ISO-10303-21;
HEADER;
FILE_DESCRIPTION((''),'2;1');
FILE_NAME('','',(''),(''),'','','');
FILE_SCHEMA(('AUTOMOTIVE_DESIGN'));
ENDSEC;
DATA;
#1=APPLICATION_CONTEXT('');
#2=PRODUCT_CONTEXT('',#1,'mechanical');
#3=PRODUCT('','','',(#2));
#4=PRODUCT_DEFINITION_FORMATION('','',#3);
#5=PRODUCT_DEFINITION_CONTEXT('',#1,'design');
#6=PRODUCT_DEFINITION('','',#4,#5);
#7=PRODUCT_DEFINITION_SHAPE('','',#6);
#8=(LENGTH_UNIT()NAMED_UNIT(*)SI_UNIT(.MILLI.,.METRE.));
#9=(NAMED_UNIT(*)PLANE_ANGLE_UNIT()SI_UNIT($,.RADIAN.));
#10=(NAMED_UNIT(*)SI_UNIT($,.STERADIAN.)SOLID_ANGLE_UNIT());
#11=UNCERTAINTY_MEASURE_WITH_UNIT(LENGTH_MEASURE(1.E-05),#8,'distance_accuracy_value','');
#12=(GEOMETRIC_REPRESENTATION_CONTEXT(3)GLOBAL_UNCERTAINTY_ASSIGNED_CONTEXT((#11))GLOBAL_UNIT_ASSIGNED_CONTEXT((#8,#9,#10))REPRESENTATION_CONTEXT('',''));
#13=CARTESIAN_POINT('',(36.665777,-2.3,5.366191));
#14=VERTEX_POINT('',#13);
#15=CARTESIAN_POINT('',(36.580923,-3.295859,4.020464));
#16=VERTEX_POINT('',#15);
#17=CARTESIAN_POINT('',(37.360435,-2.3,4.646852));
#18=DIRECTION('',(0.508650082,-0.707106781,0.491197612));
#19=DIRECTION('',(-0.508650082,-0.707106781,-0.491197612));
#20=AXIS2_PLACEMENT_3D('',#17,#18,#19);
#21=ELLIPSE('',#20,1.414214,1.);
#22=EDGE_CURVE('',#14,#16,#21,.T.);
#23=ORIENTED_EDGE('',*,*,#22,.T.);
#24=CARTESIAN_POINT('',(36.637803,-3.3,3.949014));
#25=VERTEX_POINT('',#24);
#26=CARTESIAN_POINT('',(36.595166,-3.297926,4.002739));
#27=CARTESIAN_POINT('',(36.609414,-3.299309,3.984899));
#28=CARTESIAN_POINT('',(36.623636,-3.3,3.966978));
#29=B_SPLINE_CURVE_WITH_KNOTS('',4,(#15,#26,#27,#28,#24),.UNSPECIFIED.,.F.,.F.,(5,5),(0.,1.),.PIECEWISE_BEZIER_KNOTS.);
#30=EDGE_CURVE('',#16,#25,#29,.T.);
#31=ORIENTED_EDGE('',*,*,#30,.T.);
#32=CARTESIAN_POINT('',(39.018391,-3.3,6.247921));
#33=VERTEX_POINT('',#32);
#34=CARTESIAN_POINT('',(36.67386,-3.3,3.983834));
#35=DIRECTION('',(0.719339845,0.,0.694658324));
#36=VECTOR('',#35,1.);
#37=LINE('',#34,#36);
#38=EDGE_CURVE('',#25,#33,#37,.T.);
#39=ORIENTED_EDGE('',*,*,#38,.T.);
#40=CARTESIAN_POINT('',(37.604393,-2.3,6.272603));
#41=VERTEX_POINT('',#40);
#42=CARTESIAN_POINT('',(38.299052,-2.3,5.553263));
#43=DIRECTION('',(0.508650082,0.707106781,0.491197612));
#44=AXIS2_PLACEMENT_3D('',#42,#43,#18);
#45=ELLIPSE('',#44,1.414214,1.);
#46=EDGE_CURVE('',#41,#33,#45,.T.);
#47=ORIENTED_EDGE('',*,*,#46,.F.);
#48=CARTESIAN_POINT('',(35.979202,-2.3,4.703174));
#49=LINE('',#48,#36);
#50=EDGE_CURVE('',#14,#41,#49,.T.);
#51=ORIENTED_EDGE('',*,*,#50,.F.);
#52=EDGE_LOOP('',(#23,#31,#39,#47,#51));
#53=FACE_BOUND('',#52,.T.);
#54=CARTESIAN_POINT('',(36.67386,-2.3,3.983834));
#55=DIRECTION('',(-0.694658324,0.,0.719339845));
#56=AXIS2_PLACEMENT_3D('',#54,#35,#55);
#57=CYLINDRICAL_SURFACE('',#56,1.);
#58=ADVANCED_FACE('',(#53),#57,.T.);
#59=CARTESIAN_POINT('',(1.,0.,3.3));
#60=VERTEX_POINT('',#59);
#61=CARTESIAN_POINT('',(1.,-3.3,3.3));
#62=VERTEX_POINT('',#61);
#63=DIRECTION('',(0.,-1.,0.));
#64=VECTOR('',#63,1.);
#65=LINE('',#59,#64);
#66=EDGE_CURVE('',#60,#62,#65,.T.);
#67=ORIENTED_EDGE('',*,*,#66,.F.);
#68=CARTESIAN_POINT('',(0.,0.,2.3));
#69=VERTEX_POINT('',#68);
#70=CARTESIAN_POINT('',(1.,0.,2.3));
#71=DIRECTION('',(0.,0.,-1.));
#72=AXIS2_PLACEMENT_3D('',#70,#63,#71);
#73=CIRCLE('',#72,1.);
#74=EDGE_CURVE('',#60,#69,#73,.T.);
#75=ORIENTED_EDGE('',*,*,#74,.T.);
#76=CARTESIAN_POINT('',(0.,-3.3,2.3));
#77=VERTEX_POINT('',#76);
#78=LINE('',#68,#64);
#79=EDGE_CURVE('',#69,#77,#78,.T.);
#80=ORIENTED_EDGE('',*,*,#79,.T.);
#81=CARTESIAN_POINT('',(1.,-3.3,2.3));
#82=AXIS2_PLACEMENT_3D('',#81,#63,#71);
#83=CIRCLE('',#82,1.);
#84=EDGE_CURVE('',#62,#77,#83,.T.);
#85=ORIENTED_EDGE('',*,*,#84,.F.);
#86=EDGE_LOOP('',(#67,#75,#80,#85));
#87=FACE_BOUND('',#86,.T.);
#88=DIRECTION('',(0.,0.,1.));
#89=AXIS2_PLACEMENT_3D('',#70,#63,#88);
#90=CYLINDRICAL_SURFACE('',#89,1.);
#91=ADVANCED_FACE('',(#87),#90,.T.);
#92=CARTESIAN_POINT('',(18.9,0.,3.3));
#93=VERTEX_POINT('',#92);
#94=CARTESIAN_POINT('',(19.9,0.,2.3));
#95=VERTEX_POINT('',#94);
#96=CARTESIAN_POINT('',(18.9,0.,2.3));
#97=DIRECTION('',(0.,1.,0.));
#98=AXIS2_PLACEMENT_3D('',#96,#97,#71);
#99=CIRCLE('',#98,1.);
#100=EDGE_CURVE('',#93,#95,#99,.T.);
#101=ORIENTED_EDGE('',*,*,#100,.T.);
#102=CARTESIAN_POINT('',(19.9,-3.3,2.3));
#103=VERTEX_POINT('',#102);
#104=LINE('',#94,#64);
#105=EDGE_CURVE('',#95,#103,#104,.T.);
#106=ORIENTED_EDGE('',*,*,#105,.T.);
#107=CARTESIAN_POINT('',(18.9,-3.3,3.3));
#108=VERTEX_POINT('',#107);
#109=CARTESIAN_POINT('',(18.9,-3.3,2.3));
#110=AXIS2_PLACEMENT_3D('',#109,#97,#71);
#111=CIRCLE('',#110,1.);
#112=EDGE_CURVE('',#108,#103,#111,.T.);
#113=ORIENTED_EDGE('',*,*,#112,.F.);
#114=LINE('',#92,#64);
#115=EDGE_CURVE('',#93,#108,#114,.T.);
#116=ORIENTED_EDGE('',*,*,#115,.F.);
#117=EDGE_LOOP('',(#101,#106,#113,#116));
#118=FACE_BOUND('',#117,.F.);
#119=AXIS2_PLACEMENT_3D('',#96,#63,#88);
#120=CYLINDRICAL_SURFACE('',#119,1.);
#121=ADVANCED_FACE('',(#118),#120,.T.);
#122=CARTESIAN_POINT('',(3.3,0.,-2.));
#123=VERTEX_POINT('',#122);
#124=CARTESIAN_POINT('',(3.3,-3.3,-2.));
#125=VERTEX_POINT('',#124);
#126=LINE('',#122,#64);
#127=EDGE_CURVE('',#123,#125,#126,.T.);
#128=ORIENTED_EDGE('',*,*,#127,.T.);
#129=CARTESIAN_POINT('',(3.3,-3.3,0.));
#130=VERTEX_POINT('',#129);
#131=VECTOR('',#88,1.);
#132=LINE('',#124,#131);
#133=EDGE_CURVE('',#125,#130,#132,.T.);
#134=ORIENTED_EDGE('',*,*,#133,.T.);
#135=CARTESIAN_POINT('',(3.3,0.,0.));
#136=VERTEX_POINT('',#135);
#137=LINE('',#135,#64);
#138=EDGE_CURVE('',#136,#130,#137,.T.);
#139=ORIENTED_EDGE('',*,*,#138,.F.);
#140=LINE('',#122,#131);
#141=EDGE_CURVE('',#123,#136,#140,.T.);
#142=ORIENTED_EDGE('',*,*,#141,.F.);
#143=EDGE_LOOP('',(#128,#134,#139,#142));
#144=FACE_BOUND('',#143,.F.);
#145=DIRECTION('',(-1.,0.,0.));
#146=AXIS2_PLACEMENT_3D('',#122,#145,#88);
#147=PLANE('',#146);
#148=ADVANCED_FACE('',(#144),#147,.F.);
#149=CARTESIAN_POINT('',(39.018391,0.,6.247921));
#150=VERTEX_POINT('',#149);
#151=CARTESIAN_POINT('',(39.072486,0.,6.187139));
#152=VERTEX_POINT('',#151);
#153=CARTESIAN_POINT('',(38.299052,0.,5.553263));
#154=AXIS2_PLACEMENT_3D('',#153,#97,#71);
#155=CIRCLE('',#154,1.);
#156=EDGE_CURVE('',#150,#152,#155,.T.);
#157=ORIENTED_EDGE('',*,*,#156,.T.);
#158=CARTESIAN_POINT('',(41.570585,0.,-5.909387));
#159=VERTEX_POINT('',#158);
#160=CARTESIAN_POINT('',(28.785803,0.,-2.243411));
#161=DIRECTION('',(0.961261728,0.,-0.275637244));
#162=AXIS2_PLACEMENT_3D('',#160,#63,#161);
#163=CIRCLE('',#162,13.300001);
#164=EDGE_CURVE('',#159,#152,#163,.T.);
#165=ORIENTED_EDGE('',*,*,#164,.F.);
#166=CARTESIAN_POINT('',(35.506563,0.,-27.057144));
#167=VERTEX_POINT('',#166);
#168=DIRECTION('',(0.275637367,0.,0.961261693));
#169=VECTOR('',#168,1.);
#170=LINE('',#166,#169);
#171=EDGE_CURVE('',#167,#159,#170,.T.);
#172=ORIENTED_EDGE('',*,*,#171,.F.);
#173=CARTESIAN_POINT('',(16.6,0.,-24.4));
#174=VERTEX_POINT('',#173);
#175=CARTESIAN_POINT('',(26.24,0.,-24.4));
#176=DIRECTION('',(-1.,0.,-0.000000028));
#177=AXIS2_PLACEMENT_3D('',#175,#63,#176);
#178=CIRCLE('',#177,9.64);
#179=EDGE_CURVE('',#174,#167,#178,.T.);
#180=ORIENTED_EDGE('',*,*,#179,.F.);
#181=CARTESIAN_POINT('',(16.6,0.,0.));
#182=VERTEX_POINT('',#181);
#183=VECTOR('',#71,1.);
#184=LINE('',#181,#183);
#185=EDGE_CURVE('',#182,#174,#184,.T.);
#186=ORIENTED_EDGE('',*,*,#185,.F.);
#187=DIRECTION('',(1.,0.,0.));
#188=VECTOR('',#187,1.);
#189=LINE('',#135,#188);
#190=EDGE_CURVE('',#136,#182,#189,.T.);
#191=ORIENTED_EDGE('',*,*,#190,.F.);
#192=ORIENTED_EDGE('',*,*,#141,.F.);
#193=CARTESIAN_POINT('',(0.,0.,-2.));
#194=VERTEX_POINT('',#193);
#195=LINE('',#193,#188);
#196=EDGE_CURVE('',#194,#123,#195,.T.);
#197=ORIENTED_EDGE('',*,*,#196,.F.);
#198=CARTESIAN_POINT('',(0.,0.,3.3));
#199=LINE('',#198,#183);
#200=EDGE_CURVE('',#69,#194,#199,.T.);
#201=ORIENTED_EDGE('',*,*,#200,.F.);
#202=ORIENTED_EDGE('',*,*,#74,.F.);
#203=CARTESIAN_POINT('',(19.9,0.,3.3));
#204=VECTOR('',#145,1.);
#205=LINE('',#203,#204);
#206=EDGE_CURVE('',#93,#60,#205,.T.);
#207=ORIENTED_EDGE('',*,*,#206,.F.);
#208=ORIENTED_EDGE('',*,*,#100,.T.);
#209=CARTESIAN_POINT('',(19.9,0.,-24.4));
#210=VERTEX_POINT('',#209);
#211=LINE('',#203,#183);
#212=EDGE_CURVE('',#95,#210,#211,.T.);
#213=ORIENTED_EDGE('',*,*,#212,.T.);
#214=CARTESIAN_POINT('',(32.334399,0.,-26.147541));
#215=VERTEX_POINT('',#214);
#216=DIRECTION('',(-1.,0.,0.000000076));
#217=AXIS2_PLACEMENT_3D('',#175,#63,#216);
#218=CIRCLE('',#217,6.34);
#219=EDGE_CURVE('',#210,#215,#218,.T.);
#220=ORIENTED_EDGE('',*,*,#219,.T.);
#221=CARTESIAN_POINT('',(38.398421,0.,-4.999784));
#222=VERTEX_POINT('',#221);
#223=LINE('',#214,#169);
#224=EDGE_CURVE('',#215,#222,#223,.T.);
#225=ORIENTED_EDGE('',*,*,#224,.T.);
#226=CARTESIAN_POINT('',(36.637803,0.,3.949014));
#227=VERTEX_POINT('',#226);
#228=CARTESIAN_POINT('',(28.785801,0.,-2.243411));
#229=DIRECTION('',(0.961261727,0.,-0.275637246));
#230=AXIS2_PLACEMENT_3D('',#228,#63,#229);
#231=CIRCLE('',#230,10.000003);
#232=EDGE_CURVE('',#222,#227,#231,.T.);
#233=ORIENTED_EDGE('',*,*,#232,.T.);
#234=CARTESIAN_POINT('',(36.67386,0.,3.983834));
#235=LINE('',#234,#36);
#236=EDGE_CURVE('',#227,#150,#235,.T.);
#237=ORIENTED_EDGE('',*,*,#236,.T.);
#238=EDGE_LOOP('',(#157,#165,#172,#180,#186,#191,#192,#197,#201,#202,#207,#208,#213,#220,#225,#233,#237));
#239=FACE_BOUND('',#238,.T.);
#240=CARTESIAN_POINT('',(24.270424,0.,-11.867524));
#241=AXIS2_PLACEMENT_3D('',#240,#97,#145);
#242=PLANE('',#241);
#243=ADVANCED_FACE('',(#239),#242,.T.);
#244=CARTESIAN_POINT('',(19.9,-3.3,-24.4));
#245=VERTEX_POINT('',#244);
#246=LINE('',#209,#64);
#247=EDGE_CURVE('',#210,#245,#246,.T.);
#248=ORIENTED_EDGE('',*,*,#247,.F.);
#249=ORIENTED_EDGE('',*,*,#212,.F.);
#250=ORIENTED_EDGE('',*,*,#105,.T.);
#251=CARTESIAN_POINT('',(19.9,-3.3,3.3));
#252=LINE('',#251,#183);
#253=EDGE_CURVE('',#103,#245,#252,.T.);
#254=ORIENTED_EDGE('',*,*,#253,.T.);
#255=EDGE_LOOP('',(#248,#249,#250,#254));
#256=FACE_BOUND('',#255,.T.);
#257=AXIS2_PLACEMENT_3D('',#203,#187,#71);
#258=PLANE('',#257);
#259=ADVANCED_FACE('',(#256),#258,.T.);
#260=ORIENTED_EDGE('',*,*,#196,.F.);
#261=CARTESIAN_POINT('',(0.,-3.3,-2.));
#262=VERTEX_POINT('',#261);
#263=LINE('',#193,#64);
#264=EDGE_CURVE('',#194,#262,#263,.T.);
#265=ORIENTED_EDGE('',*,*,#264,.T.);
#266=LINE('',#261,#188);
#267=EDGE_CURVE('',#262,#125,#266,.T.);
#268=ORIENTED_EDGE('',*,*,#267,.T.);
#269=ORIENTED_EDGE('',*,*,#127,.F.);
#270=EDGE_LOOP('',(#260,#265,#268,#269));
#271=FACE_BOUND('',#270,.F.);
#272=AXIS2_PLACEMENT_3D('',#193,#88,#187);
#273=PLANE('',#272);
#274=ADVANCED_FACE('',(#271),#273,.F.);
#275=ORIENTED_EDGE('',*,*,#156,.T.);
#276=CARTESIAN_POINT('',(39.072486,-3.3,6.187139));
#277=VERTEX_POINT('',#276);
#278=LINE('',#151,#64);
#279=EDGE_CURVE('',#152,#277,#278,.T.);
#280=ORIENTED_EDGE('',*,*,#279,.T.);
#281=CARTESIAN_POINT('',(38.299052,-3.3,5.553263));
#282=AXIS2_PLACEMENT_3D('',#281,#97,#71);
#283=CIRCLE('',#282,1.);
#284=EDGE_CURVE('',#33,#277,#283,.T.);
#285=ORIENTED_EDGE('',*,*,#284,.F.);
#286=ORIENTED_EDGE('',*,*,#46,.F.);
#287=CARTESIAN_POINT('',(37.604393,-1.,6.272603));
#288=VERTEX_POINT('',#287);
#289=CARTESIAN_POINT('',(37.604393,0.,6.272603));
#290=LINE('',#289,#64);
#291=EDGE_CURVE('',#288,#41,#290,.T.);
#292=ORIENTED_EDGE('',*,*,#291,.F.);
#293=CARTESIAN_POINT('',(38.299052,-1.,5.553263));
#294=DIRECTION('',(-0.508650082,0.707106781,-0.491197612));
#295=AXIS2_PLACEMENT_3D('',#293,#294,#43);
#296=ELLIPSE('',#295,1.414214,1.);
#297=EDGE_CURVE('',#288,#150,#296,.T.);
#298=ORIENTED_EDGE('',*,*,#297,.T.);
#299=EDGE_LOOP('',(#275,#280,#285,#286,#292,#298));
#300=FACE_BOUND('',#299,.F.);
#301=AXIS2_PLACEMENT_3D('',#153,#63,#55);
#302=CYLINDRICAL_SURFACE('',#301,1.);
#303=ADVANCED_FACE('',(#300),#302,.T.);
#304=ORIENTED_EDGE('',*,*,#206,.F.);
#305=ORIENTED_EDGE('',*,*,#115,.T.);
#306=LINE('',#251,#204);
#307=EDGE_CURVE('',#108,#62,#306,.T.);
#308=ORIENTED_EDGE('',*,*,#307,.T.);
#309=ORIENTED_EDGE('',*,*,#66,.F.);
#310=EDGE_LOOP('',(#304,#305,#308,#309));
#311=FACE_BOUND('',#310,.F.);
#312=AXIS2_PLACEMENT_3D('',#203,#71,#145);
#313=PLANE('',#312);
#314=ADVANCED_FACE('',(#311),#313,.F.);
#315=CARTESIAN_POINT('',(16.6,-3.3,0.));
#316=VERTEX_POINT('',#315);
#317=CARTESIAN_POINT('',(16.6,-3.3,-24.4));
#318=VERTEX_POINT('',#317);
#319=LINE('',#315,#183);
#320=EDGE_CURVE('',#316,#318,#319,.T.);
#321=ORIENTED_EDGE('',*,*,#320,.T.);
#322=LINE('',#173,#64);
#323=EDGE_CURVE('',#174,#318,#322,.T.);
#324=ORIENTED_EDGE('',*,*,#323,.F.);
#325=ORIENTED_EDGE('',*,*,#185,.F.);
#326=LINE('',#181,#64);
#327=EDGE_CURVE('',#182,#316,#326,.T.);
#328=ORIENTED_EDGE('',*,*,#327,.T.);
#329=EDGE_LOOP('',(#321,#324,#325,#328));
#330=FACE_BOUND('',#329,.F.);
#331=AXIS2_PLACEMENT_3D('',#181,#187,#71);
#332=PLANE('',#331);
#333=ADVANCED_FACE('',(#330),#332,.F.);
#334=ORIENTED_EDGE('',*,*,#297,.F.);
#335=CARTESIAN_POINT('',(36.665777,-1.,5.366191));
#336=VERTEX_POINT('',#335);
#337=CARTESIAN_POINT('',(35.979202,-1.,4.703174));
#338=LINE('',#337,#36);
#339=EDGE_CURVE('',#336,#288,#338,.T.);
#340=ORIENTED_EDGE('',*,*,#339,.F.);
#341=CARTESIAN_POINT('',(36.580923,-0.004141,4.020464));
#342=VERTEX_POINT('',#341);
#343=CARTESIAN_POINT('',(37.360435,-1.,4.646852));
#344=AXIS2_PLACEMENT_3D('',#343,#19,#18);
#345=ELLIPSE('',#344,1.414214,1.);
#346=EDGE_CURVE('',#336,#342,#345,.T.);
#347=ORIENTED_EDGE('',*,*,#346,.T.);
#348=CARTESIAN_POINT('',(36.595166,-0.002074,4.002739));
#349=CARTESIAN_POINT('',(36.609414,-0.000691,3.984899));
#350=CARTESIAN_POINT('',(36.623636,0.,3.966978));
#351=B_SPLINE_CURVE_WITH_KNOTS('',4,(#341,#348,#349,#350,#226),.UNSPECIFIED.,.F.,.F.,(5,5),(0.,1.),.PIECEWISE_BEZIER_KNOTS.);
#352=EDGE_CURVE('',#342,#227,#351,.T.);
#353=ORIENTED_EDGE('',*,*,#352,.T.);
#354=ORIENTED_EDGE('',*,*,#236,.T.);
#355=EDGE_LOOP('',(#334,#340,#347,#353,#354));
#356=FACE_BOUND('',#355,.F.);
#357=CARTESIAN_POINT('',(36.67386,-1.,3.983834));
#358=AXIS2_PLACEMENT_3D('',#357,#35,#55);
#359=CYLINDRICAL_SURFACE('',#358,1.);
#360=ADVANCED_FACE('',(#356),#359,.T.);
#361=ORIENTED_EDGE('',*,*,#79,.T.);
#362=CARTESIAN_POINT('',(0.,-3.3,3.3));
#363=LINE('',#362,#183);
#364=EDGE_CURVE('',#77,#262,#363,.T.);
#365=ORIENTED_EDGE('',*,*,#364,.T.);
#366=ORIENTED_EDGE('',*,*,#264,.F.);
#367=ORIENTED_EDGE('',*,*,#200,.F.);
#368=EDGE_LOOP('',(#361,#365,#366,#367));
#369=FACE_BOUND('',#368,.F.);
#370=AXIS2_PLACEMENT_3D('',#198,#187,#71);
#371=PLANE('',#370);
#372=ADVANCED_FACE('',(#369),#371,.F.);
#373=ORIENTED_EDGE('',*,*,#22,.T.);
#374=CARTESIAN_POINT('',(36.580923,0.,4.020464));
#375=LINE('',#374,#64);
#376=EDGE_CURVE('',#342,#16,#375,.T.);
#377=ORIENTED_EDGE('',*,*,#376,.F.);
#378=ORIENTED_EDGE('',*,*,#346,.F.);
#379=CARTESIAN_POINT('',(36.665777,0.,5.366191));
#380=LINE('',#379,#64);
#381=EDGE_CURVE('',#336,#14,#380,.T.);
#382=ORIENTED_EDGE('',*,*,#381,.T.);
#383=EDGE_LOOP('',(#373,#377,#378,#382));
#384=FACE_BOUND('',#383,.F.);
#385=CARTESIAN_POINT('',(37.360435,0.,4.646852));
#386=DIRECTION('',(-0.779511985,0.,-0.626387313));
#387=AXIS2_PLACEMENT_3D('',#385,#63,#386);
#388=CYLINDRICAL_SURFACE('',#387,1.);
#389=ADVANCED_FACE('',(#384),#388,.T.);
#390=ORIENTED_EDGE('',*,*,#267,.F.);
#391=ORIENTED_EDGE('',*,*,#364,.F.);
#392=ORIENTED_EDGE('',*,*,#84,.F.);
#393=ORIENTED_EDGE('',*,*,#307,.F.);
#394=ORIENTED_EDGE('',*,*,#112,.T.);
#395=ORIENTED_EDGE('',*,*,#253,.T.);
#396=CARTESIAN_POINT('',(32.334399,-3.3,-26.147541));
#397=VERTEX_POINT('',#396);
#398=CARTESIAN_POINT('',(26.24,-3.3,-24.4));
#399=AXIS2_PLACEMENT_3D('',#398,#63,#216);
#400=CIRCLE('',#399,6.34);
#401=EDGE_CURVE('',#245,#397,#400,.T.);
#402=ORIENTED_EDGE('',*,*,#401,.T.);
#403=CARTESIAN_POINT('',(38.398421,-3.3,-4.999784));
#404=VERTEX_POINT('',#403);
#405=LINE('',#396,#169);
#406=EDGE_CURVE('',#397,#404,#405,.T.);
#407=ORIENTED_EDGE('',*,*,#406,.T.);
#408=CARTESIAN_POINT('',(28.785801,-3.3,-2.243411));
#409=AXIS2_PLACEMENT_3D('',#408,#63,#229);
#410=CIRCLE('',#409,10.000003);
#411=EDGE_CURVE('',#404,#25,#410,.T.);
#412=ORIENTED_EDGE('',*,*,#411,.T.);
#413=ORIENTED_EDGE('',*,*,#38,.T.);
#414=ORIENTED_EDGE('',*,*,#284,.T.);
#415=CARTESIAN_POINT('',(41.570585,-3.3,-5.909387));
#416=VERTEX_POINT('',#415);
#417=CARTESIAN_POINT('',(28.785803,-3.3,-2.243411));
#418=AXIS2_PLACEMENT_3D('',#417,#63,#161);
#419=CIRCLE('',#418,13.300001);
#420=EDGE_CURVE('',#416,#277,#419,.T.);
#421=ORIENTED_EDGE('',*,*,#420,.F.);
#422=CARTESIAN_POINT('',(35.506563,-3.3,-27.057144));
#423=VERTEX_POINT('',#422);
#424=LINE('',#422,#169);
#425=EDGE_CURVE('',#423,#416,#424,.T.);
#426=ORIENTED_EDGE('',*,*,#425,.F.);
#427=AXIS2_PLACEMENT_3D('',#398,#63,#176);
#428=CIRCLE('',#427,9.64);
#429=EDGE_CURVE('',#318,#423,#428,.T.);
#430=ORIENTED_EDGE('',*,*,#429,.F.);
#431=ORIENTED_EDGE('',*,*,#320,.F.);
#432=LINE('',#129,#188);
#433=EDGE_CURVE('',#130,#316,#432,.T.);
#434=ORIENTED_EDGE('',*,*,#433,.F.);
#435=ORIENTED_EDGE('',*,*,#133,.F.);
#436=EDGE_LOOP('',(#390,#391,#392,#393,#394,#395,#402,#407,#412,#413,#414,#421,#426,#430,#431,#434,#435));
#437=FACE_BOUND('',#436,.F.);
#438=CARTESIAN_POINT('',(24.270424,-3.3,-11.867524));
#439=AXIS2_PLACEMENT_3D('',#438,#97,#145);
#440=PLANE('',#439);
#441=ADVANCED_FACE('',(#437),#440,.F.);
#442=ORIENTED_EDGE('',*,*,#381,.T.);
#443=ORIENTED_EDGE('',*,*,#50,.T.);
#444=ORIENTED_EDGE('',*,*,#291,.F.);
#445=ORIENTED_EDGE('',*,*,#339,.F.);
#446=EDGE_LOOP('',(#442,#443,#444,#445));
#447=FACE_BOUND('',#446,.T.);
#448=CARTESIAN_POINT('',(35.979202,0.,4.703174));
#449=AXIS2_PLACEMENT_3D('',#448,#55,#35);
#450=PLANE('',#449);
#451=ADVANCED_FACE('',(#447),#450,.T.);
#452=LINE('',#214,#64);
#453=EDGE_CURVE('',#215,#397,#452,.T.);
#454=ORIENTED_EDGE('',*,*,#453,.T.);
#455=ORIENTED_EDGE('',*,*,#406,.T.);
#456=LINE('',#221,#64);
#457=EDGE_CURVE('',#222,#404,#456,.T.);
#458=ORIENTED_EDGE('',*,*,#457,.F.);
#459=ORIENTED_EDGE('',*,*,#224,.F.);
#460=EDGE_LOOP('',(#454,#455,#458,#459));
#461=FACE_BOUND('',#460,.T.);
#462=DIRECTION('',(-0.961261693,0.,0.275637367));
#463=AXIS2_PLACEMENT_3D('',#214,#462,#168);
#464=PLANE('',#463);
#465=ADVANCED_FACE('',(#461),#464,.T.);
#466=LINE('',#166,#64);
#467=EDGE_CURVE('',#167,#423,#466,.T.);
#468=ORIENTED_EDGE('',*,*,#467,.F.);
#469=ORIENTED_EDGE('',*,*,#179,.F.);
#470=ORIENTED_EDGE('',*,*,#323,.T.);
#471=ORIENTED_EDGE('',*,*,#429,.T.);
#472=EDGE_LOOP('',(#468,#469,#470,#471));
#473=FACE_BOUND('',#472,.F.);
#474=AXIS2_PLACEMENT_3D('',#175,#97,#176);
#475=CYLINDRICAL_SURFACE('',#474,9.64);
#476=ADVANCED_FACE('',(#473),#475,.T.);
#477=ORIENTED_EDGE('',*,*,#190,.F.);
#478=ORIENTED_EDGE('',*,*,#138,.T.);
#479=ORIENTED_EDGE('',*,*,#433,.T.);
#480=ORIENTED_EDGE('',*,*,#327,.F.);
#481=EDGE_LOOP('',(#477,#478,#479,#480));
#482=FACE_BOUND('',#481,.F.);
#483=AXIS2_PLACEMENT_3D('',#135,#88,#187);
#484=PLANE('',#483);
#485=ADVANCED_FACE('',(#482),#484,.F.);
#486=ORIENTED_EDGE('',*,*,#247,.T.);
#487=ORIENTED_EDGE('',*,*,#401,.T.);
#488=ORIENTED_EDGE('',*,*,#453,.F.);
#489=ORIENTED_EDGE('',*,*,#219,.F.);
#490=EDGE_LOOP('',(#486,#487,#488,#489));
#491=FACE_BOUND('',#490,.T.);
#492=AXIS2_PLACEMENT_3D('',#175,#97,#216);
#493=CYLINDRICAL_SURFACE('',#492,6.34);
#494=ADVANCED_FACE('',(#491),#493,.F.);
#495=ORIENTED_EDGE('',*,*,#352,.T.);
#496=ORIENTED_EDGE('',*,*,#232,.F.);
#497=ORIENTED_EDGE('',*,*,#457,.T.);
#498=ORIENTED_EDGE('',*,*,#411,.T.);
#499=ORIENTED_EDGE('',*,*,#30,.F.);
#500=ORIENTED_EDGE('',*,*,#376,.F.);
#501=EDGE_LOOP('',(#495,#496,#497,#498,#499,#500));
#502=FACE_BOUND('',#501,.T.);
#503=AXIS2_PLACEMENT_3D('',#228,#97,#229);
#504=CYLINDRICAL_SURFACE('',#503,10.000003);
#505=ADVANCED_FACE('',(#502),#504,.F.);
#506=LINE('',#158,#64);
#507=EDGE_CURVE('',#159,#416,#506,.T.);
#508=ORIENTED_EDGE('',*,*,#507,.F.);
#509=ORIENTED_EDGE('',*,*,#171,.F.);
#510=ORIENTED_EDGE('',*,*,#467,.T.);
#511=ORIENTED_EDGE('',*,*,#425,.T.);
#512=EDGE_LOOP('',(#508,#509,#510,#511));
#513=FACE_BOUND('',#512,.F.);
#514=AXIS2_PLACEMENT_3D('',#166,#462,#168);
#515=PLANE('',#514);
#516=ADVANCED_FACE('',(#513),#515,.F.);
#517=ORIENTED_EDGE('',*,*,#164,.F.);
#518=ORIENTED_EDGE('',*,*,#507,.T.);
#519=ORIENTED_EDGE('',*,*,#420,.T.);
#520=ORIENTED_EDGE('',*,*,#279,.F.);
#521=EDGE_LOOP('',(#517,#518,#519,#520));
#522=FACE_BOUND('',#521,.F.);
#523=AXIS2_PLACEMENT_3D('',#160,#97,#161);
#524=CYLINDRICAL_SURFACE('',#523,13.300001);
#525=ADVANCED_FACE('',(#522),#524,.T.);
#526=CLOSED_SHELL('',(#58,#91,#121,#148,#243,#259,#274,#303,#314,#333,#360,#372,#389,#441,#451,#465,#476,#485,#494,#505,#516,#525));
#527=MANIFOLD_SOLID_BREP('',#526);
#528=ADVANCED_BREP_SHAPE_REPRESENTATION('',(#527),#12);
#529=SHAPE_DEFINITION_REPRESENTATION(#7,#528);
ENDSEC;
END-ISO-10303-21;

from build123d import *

# Parameters (mm, degrees)
PAD_DEPTH = 3.3
FILLET_R  = 1


with BuildPart() as part:
    # Sketch002 → Pad (new body)
    with BuildSketch(Plane.XZ):
        with BuildLine():
            Line((16.6, 3.3), (19.9, 3.3))
            Line((19.9, 3.3), (19.9, -24.4))
            ThreePointArc((19.9, -24.4), (25.357643, -30.6783), (32.334399, -26.147541))
            Line((32.334399, -26.147541), (38.398421, -4.999784))
            ThreePointArc((38.398421, -4.999784), (38.488761, 0.175809), (35.979202, 4.703174))
            Line((35.979202, 4.703174), (38.353023, 6.995546))
            ThreePointArc((41.570585, -5.909387), (41.690737, 0.974151), (38.353023, 6.995546))
            Line((35.506563, -27.057144), (41.570585, -5.909387))
            ThreePointArc((16.6, -24.4), (24.898371, -33.946184), (35.506563, -27.057144))
            Line((16.6, 0), (16.6, -24.4))
            Line((3.3, 0), (16.6, 0))
            Line((3.3, -2), (3.3, 0))
            Line((0, -2), (3.3, -2))
            Line((0, 0), (0, -2))
            Line((0, 3.3), (0, 0))
            Line((16.6, 3.3), (0, 3.3))
        make_face()
    extrude(amount=PAD_DEPTH)

    # Fillet
    fillet_edges = [part.edges().sort_by_distance(p)[0] for p in [
        (0, -1.65, 3.3),
        (19.9, -1.65, 3.3),
        (35.979202, -1.65, 4.703174),
        (38.353023, -1.65, 6.995546),
        (37.166113, 0, 5.84936),
        (37.166113, -3.3, 5.84936),
    ]]
    fillet(fillet_edges, radius=FILLET_R)


solid = part.part
